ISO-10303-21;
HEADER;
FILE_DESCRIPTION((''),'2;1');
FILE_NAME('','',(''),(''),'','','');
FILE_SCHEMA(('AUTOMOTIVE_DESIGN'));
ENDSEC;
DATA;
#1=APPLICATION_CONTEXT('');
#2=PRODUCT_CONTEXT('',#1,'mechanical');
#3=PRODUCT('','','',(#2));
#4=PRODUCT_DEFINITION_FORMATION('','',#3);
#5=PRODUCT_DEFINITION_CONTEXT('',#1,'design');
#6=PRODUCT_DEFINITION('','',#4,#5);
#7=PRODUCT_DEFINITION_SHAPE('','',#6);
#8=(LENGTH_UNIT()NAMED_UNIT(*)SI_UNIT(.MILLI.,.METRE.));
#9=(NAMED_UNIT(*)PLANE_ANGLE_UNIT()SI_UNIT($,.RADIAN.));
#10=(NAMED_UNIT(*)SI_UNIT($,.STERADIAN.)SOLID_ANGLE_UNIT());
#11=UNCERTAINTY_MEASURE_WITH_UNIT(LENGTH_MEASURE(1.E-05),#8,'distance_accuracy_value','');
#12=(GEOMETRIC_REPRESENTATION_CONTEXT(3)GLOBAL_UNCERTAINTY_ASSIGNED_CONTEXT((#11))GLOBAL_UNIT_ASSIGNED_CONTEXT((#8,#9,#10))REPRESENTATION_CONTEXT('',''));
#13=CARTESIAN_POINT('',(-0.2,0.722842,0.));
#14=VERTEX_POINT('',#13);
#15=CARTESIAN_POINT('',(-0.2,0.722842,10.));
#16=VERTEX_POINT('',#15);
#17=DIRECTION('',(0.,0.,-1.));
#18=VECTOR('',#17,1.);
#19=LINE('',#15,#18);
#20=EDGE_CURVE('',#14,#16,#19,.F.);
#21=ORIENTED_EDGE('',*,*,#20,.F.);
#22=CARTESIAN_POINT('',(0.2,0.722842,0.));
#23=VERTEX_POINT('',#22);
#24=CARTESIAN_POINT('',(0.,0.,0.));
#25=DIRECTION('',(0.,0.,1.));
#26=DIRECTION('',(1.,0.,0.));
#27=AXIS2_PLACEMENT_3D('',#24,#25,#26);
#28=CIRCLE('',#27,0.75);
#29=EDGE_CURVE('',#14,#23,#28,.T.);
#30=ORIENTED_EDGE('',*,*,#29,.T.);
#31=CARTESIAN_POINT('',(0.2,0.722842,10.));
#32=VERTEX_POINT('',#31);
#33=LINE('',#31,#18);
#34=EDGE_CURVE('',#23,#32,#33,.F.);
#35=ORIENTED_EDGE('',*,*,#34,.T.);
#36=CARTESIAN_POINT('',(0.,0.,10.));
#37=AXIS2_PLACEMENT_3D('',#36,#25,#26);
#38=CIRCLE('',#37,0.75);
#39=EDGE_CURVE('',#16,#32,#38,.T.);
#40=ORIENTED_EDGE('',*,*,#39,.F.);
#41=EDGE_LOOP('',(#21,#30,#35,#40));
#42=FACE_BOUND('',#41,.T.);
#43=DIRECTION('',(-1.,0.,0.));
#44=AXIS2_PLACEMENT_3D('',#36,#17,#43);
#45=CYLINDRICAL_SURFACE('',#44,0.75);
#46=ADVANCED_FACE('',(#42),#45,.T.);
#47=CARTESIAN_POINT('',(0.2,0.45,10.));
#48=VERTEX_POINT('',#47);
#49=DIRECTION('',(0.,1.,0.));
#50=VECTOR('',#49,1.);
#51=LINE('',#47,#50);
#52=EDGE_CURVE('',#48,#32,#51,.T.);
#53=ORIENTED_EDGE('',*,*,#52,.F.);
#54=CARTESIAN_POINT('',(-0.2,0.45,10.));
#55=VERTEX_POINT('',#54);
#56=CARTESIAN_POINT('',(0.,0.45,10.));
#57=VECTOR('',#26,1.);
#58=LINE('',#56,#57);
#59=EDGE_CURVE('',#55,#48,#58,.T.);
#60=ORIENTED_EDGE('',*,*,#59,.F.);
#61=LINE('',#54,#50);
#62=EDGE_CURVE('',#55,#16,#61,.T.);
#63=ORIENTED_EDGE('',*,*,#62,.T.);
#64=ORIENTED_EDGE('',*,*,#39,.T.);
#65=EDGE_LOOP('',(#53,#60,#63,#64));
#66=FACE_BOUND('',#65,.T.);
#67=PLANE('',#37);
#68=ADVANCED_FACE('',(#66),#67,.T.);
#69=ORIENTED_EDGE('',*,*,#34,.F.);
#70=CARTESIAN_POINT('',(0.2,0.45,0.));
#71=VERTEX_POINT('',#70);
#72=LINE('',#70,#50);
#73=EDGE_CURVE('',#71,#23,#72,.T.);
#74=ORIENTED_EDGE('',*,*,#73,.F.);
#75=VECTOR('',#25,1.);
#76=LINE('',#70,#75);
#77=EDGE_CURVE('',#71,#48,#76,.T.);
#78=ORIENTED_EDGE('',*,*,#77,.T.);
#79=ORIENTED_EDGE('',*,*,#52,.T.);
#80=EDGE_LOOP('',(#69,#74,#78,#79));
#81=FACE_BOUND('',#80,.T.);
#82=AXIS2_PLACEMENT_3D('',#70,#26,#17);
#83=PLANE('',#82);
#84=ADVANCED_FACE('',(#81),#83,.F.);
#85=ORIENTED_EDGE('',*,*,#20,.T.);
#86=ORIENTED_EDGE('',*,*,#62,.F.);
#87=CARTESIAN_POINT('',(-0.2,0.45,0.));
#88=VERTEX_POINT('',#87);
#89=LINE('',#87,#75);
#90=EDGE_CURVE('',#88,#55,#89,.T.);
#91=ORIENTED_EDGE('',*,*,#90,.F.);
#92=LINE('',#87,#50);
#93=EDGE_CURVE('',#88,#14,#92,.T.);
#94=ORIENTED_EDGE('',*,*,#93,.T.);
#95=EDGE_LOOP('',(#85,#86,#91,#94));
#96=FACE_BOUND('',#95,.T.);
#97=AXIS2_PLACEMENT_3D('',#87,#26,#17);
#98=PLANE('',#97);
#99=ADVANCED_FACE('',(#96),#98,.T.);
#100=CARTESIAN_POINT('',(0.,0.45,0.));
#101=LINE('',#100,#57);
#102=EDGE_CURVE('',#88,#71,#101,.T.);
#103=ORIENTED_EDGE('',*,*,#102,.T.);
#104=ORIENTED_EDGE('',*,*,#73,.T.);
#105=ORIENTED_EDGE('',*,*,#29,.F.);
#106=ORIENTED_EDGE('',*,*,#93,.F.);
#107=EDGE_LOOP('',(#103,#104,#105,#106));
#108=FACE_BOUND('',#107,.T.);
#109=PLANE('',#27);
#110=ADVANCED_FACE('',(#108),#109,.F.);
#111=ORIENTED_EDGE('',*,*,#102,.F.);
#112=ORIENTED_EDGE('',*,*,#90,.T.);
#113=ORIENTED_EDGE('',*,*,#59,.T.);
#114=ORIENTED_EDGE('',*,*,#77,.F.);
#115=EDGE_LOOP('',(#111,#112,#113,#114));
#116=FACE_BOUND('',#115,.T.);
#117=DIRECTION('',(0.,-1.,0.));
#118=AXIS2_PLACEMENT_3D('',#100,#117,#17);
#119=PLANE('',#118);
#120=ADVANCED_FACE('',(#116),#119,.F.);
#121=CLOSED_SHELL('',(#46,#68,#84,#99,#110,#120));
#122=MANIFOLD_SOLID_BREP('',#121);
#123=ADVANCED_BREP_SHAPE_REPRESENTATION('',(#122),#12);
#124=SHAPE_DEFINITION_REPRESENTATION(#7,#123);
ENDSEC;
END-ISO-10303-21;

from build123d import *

# Parameters (mm, degrees)
SKETCH1_R           = 0.75
BOSS_EXTRUDE1_DEPTH = 10
SKETCH3_W           = 0.2
SKETCH3_H           = 0.357534677
CUT_EXTRUDE1_DEPTH  = 11.056092681


with BuildPart() as part:
    # Sketch1 → Boss-Extrude1 (new body)
    with BuildSketch(Plane.XY):
        Circle(SKETCH1_R)
    extrude(amount=BOSS_EXTRUDE1_DEPTH)

    # Sketch3 → Cut-Extrude1 (cut, through all)
    with BuildSketch(Plane.XY.offset(10)):
        with Locations((0.1, 0.628767338)):
            Rectangle(SKETCH3_W, SKETCH3_H)
    cut_extrude1 = extrude(amount=-CUT_EXTRUDE1_DEPTH, mode=Mode.SUBTRACT)

    # Mirror1: Cut-Extrude1 across plane
    add(cut_extrude1.mirror(Plane(origin=(0, 0, 0), x_dir=(0, 0, 1), z_dir=(1, 0, 0))), mode=Mode.SUBTRACT)


solid = part.part
